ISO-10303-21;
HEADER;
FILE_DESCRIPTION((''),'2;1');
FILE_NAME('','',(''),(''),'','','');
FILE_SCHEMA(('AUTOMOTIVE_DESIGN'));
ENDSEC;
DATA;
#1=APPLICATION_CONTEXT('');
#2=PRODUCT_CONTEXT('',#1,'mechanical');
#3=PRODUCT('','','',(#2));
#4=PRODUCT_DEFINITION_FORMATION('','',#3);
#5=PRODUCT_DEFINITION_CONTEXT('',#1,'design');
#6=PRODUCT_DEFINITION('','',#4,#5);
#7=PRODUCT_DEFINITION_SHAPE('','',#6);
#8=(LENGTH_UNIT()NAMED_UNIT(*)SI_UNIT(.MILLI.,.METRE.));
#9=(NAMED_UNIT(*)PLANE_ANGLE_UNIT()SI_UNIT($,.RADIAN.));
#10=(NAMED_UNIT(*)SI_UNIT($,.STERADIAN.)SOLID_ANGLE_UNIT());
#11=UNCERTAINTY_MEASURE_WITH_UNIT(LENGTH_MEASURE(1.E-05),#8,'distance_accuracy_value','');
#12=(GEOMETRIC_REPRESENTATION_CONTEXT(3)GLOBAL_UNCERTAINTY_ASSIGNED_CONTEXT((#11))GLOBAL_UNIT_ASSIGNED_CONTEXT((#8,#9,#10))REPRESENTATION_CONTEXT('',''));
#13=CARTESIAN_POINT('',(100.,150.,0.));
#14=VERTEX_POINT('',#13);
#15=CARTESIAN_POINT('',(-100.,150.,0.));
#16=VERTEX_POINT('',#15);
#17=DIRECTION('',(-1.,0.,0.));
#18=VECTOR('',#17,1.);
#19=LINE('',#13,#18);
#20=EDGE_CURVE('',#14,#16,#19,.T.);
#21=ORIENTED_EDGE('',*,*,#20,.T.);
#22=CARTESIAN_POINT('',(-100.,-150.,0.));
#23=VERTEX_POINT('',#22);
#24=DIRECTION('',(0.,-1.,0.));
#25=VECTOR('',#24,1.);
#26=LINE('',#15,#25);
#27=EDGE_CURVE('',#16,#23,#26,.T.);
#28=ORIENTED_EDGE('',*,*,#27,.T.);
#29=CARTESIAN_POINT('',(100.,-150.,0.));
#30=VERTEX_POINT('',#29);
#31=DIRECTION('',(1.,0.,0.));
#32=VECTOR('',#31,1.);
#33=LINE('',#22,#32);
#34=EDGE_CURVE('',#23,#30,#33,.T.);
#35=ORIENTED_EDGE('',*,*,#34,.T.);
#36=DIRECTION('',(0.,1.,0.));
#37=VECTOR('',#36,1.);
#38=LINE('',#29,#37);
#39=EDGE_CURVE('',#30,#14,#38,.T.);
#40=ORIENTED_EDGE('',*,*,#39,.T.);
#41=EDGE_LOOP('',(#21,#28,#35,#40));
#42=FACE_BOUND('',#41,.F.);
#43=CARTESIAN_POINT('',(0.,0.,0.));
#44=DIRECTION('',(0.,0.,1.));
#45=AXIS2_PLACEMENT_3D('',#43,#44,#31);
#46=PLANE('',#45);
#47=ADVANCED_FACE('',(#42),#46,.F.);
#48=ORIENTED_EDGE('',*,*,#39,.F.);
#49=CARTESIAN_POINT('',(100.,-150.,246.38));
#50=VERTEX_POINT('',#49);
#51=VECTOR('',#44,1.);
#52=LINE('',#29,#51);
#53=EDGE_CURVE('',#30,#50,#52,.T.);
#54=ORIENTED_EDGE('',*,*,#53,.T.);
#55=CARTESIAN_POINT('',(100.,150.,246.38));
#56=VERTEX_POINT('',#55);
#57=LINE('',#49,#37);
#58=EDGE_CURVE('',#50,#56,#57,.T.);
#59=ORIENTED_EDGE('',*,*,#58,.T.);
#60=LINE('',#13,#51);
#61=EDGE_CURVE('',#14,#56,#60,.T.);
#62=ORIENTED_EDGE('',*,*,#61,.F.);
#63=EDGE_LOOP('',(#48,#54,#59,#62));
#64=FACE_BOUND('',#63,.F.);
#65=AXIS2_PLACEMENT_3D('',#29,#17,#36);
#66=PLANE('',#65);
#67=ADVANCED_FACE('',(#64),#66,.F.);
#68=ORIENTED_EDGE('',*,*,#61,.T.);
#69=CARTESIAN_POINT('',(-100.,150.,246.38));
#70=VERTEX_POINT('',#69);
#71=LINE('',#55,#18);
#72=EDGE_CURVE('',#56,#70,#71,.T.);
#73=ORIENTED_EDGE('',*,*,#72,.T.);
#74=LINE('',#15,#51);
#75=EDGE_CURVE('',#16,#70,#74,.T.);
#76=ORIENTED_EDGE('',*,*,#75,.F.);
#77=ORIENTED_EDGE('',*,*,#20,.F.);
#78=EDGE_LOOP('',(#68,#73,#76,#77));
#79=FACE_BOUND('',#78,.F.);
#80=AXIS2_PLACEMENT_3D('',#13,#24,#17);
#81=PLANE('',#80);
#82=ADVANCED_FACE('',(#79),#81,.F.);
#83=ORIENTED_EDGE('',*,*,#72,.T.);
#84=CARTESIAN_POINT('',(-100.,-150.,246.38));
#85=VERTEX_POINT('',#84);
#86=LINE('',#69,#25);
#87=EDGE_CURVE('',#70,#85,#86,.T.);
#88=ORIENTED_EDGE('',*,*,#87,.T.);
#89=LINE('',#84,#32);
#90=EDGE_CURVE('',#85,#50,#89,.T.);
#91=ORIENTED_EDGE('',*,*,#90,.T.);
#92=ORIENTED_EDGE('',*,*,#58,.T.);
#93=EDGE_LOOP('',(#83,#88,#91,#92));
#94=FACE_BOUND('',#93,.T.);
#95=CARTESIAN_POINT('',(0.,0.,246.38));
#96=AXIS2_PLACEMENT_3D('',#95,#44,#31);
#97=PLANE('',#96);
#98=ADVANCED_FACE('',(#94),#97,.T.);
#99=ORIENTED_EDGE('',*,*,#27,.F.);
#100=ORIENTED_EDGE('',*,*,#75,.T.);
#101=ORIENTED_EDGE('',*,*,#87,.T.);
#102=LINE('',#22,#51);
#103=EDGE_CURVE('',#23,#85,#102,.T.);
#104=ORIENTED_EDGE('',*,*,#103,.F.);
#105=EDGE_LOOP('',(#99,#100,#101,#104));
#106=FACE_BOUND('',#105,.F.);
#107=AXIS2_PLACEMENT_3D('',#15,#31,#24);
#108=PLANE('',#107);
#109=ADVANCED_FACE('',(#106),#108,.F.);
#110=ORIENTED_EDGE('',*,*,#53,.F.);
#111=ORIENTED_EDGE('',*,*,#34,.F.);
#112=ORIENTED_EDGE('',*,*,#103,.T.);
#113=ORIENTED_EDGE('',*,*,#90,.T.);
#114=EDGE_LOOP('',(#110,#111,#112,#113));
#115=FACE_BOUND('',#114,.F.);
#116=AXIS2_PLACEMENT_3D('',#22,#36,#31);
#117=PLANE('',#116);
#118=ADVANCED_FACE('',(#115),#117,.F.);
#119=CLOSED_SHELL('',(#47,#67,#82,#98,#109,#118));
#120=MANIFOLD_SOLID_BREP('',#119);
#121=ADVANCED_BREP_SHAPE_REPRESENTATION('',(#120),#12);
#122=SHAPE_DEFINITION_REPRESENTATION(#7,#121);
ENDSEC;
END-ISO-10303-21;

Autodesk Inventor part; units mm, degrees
ref_plane "YZ Plane" through (0, 0, 0) normal (1, 0, 0) x (0, 1, 0)
ref_plane "XZ Plane" through (0, 0, 0) normal (0, 1, 0) x (-1, 0, 0)
ref_plane "XY Plane" through (0, 0, 0) normal (0, 0, 1) x (1, 0, 0)
sketch "Sketch1" plane through (0, 0, 0) normal (0, 0, 1) x (1, 0, 0)
  point P0 (0, 0)
sketch "Sketch2" plane through (0, 0, 0) normal (0, 0, 1) x (1, 0, 0)
  line L0 (-100, -150) -> (100, -150)
  line L1 (100, -150) -> (100, 150)
  line L2 (100, 150) -> (-100, 150)
  line L3 (-100, 150) -> (-100, -150)
  line L4 (-100, -150) -> (100, 150) construction
  line L5 (100, -150) -> (-100, 150) construction
  point P0 (0, 0)
  dimension "d0" = 200
  dimension "d1" = 300
extrude "Extrusion1" add sketch "Sketch2" along normal blind 246.38
properties part number "Component box"
